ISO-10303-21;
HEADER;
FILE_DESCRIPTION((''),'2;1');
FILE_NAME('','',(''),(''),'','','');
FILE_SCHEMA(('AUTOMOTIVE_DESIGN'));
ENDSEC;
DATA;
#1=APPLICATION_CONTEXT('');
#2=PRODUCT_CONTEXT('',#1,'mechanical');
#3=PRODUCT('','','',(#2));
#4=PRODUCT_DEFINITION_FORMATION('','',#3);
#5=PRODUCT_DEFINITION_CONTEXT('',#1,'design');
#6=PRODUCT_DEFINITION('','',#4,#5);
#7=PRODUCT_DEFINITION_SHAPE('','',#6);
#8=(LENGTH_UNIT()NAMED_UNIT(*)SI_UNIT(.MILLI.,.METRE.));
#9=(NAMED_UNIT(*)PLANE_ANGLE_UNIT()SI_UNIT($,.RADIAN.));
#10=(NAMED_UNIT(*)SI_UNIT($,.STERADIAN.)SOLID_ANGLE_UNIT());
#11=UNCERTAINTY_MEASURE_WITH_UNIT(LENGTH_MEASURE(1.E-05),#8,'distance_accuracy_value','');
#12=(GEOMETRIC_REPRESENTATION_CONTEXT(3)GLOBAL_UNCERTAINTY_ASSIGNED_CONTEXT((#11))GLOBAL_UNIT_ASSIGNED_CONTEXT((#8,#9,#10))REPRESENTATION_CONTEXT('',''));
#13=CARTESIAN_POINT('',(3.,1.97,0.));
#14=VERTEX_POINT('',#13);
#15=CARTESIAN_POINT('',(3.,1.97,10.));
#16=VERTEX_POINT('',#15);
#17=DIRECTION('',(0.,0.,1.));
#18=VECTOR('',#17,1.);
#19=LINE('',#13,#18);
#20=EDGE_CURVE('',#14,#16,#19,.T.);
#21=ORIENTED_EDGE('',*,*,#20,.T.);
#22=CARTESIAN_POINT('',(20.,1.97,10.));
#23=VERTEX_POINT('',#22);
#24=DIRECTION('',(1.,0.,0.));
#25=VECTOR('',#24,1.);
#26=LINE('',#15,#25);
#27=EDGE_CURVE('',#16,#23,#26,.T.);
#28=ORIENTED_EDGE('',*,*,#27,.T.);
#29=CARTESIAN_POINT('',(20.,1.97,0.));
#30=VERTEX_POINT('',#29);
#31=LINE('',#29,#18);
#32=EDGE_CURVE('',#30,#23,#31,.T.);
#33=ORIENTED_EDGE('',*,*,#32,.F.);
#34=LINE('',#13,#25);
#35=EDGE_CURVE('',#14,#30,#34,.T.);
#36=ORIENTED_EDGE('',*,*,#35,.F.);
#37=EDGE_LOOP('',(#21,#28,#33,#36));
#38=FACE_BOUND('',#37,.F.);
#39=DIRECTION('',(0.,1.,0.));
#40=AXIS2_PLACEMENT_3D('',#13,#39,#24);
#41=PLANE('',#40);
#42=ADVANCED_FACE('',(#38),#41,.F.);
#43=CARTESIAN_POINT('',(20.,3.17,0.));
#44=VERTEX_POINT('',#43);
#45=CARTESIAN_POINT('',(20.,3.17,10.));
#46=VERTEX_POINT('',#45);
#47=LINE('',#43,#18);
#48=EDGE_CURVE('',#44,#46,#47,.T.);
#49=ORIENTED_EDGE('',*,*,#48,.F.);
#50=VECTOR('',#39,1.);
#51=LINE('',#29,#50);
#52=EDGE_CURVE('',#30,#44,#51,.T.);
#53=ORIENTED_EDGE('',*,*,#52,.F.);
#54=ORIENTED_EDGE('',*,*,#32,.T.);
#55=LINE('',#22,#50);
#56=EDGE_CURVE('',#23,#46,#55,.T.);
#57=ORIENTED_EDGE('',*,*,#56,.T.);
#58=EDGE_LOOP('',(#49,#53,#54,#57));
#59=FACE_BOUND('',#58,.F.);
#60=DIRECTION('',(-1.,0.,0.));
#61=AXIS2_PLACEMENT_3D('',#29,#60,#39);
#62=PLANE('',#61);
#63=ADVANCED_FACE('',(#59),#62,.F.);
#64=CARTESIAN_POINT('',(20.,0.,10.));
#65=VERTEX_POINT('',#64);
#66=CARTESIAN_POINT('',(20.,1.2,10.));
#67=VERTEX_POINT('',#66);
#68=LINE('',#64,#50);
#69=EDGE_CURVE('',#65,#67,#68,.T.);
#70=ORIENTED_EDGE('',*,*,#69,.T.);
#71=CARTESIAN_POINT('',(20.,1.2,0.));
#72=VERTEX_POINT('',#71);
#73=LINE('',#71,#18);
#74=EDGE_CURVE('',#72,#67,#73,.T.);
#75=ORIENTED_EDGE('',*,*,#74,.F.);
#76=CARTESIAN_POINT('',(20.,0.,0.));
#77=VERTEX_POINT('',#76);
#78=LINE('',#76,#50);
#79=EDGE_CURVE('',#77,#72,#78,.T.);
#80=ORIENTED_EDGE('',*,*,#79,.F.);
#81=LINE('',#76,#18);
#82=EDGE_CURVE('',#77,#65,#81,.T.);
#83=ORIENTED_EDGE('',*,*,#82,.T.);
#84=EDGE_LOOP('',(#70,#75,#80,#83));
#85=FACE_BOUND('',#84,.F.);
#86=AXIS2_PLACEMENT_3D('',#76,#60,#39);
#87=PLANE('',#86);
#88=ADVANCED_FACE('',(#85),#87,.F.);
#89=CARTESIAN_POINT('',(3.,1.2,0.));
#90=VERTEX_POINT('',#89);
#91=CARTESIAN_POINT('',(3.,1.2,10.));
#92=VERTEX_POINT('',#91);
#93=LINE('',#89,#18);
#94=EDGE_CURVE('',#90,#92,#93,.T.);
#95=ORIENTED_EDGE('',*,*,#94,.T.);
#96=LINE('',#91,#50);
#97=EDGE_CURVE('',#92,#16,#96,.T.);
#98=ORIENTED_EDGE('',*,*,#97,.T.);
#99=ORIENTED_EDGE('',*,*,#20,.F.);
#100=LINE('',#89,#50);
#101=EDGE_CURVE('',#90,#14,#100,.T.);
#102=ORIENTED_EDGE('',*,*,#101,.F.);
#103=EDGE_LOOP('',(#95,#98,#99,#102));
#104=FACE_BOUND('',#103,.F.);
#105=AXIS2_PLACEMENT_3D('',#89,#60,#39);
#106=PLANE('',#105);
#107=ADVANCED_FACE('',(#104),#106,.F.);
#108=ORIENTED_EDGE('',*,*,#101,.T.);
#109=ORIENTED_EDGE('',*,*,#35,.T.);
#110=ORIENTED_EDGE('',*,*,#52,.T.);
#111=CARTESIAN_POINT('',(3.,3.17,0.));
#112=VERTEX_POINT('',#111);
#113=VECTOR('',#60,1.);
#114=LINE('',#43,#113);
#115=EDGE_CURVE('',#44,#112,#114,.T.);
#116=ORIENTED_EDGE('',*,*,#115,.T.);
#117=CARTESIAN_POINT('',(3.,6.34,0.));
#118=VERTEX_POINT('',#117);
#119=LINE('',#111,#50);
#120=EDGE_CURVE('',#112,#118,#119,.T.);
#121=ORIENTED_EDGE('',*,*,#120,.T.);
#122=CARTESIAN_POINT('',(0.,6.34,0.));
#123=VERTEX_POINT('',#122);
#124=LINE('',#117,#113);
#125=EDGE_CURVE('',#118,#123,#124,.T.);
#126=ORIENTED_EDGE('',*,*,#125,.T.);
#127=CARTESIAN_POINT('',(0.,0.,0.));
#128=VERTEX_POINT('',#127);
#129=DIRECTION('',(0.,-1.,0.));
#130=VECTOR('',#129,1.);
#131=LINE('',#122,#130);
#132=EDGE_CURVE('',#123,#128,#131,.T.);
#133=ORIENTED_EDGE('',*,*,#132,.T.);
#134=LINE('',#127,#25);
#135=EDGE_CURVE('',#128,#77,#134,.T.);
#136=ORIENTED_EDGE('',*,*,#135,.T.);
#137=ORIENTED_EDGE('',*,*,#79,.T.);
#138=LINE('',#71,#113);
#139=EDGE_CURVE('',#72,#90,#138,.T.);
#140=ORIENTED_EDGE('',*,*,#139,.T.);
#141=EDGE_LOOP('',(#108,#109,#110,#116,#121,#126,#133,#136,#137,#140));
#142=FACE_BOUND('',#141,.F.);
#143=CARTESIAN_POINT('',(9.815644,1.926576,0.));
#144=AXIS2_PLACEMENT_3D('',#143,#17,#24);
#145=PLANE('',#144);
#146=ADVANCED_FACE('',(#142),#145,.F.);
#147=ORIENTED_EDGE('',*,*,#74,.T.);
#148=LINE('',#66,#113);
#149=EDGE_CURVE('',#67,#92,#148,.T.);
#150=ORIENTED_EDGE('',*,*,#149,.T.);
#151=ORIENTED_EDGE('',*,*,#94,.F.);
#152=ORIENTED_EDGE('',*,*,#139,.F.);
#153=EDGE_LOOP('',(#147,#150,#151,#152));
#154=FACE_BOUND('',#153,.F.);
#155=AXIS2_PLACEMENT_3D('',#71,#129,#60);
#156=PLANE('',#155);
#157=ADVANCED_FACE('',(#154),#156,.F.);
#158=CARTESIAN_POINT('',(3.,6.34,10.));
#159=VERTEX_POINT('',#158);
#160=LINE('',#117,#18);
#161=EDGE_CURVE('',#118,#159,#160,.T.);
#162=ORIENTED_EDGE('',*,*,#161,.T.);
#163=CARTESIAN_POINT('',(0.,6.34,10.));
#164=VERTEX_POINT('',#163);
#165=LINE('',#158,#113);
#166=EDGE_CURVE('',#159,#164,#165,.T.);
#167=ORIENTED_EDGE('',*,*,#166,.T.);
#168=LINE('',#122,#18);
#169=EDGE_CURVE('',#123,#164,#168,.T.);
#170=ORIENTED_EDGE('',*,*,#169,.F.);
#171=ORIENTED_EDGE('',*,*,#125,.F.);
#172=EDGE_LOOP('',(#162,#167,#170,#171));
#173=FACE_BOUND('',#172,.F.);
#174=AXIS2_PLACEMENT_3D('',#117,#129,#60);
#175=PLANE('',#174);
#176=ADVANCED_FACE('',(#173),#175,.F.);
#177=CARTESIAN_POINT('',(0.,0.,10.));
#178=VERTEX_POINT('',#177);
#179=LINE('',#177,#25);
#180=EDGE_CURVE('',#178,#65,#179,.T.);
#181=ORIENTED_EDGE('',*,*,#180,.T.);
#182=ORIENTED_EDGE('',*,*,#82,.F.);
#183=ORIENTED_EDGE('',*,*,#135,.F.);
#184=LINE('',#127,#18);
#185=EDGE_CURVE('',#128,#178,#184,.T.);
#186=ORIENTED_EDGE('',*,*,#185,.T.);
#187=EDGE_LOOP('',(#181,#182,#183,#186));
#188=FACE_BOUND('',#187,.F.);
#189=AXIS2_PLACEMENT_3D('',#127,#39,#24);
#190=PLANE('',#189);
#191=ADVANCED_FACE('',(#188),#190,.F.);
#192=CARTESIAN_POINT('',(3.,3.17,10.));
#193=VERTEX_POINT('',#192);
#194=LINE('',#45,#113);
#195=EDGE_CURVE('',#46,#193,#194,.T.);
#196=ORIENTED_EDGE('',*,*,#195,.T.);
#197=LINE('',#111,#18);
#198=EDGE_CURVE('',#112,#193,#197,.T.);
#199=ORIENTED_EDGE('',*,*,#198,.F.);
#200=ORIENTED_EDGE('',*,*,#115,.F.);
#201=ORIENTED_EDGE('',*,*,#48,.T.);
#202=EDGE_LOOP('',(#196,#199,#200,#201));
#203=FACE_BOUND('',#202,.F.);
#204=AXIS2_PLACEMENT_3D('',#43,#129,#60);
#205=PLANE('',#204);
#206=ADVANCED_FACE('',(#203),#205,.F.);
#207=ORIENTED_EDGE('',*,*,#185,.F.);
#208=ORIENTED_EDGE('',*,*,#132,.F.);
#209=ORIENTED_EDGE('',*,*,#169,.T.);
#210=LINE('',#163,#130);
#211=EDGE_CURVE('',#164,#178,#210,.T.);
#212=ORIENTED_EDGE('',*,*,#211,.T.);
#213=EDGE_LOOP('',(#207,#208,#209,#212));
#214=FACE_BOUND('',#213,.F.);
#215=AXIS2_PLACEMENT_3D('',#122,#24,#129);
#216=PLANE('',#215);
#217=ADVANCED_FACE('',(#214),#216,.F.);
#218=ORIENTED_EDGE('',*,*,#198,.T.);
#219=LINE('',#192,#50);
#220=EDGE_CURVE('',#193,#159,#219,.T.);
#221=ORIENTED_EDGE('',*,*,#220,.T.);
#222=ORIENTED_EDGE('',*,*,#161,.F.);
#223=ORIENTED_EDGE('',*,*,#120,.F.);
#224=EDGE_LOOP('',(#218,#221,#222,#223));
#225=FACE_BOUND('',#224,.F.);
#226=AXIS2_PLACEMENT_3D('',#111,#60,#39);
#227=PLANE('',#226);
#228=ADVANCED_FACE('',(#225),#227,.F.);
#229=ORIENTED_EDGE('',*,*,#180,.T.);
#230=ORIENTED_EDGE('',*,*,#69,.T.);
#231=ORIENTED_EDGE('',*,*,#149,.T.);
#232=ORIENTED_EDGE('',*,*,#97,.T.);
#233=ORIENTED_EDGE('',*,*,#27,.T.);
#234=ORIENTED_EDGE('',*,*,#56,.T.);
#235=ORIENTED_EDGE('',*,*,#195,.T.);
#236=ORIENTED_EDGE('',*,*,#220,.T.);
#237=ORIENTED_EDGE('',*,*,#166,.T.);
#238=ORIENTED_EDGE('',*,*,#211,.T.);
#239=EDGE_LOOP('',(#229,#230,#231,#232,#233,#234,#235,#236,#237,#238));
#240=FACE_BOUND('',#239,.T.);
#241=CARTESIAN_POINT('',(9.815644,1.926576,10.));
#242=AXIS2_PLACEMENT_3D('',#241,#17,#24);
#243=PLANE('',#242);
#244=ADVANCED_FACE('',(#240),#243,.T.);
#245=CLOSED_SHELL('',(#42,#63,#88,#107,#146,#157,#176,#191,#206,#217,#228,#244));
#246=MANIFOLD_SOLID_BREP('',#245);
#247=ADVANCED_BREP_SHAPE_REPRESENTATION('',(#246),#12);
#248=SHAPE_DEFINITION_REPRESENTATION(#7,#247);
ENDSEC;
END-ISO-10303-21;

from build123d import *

# Parameters (mm, degrees)
PAD_DEPTH = 10


with BuildPart() as part:
    # Sketch → Pad (new body)
    with BuildSketch(Plane.XY):
        Polygon((0, 0), (20, 0), (20, 1.2), (3, 1.2), (3, 1.97), (20, 1.97), (20, 3.17), (3, 3.17), (3, 6.34), (0, 6.34), align=None)
    extrude(amount=PAD_DEPTH)


solid = part.part
